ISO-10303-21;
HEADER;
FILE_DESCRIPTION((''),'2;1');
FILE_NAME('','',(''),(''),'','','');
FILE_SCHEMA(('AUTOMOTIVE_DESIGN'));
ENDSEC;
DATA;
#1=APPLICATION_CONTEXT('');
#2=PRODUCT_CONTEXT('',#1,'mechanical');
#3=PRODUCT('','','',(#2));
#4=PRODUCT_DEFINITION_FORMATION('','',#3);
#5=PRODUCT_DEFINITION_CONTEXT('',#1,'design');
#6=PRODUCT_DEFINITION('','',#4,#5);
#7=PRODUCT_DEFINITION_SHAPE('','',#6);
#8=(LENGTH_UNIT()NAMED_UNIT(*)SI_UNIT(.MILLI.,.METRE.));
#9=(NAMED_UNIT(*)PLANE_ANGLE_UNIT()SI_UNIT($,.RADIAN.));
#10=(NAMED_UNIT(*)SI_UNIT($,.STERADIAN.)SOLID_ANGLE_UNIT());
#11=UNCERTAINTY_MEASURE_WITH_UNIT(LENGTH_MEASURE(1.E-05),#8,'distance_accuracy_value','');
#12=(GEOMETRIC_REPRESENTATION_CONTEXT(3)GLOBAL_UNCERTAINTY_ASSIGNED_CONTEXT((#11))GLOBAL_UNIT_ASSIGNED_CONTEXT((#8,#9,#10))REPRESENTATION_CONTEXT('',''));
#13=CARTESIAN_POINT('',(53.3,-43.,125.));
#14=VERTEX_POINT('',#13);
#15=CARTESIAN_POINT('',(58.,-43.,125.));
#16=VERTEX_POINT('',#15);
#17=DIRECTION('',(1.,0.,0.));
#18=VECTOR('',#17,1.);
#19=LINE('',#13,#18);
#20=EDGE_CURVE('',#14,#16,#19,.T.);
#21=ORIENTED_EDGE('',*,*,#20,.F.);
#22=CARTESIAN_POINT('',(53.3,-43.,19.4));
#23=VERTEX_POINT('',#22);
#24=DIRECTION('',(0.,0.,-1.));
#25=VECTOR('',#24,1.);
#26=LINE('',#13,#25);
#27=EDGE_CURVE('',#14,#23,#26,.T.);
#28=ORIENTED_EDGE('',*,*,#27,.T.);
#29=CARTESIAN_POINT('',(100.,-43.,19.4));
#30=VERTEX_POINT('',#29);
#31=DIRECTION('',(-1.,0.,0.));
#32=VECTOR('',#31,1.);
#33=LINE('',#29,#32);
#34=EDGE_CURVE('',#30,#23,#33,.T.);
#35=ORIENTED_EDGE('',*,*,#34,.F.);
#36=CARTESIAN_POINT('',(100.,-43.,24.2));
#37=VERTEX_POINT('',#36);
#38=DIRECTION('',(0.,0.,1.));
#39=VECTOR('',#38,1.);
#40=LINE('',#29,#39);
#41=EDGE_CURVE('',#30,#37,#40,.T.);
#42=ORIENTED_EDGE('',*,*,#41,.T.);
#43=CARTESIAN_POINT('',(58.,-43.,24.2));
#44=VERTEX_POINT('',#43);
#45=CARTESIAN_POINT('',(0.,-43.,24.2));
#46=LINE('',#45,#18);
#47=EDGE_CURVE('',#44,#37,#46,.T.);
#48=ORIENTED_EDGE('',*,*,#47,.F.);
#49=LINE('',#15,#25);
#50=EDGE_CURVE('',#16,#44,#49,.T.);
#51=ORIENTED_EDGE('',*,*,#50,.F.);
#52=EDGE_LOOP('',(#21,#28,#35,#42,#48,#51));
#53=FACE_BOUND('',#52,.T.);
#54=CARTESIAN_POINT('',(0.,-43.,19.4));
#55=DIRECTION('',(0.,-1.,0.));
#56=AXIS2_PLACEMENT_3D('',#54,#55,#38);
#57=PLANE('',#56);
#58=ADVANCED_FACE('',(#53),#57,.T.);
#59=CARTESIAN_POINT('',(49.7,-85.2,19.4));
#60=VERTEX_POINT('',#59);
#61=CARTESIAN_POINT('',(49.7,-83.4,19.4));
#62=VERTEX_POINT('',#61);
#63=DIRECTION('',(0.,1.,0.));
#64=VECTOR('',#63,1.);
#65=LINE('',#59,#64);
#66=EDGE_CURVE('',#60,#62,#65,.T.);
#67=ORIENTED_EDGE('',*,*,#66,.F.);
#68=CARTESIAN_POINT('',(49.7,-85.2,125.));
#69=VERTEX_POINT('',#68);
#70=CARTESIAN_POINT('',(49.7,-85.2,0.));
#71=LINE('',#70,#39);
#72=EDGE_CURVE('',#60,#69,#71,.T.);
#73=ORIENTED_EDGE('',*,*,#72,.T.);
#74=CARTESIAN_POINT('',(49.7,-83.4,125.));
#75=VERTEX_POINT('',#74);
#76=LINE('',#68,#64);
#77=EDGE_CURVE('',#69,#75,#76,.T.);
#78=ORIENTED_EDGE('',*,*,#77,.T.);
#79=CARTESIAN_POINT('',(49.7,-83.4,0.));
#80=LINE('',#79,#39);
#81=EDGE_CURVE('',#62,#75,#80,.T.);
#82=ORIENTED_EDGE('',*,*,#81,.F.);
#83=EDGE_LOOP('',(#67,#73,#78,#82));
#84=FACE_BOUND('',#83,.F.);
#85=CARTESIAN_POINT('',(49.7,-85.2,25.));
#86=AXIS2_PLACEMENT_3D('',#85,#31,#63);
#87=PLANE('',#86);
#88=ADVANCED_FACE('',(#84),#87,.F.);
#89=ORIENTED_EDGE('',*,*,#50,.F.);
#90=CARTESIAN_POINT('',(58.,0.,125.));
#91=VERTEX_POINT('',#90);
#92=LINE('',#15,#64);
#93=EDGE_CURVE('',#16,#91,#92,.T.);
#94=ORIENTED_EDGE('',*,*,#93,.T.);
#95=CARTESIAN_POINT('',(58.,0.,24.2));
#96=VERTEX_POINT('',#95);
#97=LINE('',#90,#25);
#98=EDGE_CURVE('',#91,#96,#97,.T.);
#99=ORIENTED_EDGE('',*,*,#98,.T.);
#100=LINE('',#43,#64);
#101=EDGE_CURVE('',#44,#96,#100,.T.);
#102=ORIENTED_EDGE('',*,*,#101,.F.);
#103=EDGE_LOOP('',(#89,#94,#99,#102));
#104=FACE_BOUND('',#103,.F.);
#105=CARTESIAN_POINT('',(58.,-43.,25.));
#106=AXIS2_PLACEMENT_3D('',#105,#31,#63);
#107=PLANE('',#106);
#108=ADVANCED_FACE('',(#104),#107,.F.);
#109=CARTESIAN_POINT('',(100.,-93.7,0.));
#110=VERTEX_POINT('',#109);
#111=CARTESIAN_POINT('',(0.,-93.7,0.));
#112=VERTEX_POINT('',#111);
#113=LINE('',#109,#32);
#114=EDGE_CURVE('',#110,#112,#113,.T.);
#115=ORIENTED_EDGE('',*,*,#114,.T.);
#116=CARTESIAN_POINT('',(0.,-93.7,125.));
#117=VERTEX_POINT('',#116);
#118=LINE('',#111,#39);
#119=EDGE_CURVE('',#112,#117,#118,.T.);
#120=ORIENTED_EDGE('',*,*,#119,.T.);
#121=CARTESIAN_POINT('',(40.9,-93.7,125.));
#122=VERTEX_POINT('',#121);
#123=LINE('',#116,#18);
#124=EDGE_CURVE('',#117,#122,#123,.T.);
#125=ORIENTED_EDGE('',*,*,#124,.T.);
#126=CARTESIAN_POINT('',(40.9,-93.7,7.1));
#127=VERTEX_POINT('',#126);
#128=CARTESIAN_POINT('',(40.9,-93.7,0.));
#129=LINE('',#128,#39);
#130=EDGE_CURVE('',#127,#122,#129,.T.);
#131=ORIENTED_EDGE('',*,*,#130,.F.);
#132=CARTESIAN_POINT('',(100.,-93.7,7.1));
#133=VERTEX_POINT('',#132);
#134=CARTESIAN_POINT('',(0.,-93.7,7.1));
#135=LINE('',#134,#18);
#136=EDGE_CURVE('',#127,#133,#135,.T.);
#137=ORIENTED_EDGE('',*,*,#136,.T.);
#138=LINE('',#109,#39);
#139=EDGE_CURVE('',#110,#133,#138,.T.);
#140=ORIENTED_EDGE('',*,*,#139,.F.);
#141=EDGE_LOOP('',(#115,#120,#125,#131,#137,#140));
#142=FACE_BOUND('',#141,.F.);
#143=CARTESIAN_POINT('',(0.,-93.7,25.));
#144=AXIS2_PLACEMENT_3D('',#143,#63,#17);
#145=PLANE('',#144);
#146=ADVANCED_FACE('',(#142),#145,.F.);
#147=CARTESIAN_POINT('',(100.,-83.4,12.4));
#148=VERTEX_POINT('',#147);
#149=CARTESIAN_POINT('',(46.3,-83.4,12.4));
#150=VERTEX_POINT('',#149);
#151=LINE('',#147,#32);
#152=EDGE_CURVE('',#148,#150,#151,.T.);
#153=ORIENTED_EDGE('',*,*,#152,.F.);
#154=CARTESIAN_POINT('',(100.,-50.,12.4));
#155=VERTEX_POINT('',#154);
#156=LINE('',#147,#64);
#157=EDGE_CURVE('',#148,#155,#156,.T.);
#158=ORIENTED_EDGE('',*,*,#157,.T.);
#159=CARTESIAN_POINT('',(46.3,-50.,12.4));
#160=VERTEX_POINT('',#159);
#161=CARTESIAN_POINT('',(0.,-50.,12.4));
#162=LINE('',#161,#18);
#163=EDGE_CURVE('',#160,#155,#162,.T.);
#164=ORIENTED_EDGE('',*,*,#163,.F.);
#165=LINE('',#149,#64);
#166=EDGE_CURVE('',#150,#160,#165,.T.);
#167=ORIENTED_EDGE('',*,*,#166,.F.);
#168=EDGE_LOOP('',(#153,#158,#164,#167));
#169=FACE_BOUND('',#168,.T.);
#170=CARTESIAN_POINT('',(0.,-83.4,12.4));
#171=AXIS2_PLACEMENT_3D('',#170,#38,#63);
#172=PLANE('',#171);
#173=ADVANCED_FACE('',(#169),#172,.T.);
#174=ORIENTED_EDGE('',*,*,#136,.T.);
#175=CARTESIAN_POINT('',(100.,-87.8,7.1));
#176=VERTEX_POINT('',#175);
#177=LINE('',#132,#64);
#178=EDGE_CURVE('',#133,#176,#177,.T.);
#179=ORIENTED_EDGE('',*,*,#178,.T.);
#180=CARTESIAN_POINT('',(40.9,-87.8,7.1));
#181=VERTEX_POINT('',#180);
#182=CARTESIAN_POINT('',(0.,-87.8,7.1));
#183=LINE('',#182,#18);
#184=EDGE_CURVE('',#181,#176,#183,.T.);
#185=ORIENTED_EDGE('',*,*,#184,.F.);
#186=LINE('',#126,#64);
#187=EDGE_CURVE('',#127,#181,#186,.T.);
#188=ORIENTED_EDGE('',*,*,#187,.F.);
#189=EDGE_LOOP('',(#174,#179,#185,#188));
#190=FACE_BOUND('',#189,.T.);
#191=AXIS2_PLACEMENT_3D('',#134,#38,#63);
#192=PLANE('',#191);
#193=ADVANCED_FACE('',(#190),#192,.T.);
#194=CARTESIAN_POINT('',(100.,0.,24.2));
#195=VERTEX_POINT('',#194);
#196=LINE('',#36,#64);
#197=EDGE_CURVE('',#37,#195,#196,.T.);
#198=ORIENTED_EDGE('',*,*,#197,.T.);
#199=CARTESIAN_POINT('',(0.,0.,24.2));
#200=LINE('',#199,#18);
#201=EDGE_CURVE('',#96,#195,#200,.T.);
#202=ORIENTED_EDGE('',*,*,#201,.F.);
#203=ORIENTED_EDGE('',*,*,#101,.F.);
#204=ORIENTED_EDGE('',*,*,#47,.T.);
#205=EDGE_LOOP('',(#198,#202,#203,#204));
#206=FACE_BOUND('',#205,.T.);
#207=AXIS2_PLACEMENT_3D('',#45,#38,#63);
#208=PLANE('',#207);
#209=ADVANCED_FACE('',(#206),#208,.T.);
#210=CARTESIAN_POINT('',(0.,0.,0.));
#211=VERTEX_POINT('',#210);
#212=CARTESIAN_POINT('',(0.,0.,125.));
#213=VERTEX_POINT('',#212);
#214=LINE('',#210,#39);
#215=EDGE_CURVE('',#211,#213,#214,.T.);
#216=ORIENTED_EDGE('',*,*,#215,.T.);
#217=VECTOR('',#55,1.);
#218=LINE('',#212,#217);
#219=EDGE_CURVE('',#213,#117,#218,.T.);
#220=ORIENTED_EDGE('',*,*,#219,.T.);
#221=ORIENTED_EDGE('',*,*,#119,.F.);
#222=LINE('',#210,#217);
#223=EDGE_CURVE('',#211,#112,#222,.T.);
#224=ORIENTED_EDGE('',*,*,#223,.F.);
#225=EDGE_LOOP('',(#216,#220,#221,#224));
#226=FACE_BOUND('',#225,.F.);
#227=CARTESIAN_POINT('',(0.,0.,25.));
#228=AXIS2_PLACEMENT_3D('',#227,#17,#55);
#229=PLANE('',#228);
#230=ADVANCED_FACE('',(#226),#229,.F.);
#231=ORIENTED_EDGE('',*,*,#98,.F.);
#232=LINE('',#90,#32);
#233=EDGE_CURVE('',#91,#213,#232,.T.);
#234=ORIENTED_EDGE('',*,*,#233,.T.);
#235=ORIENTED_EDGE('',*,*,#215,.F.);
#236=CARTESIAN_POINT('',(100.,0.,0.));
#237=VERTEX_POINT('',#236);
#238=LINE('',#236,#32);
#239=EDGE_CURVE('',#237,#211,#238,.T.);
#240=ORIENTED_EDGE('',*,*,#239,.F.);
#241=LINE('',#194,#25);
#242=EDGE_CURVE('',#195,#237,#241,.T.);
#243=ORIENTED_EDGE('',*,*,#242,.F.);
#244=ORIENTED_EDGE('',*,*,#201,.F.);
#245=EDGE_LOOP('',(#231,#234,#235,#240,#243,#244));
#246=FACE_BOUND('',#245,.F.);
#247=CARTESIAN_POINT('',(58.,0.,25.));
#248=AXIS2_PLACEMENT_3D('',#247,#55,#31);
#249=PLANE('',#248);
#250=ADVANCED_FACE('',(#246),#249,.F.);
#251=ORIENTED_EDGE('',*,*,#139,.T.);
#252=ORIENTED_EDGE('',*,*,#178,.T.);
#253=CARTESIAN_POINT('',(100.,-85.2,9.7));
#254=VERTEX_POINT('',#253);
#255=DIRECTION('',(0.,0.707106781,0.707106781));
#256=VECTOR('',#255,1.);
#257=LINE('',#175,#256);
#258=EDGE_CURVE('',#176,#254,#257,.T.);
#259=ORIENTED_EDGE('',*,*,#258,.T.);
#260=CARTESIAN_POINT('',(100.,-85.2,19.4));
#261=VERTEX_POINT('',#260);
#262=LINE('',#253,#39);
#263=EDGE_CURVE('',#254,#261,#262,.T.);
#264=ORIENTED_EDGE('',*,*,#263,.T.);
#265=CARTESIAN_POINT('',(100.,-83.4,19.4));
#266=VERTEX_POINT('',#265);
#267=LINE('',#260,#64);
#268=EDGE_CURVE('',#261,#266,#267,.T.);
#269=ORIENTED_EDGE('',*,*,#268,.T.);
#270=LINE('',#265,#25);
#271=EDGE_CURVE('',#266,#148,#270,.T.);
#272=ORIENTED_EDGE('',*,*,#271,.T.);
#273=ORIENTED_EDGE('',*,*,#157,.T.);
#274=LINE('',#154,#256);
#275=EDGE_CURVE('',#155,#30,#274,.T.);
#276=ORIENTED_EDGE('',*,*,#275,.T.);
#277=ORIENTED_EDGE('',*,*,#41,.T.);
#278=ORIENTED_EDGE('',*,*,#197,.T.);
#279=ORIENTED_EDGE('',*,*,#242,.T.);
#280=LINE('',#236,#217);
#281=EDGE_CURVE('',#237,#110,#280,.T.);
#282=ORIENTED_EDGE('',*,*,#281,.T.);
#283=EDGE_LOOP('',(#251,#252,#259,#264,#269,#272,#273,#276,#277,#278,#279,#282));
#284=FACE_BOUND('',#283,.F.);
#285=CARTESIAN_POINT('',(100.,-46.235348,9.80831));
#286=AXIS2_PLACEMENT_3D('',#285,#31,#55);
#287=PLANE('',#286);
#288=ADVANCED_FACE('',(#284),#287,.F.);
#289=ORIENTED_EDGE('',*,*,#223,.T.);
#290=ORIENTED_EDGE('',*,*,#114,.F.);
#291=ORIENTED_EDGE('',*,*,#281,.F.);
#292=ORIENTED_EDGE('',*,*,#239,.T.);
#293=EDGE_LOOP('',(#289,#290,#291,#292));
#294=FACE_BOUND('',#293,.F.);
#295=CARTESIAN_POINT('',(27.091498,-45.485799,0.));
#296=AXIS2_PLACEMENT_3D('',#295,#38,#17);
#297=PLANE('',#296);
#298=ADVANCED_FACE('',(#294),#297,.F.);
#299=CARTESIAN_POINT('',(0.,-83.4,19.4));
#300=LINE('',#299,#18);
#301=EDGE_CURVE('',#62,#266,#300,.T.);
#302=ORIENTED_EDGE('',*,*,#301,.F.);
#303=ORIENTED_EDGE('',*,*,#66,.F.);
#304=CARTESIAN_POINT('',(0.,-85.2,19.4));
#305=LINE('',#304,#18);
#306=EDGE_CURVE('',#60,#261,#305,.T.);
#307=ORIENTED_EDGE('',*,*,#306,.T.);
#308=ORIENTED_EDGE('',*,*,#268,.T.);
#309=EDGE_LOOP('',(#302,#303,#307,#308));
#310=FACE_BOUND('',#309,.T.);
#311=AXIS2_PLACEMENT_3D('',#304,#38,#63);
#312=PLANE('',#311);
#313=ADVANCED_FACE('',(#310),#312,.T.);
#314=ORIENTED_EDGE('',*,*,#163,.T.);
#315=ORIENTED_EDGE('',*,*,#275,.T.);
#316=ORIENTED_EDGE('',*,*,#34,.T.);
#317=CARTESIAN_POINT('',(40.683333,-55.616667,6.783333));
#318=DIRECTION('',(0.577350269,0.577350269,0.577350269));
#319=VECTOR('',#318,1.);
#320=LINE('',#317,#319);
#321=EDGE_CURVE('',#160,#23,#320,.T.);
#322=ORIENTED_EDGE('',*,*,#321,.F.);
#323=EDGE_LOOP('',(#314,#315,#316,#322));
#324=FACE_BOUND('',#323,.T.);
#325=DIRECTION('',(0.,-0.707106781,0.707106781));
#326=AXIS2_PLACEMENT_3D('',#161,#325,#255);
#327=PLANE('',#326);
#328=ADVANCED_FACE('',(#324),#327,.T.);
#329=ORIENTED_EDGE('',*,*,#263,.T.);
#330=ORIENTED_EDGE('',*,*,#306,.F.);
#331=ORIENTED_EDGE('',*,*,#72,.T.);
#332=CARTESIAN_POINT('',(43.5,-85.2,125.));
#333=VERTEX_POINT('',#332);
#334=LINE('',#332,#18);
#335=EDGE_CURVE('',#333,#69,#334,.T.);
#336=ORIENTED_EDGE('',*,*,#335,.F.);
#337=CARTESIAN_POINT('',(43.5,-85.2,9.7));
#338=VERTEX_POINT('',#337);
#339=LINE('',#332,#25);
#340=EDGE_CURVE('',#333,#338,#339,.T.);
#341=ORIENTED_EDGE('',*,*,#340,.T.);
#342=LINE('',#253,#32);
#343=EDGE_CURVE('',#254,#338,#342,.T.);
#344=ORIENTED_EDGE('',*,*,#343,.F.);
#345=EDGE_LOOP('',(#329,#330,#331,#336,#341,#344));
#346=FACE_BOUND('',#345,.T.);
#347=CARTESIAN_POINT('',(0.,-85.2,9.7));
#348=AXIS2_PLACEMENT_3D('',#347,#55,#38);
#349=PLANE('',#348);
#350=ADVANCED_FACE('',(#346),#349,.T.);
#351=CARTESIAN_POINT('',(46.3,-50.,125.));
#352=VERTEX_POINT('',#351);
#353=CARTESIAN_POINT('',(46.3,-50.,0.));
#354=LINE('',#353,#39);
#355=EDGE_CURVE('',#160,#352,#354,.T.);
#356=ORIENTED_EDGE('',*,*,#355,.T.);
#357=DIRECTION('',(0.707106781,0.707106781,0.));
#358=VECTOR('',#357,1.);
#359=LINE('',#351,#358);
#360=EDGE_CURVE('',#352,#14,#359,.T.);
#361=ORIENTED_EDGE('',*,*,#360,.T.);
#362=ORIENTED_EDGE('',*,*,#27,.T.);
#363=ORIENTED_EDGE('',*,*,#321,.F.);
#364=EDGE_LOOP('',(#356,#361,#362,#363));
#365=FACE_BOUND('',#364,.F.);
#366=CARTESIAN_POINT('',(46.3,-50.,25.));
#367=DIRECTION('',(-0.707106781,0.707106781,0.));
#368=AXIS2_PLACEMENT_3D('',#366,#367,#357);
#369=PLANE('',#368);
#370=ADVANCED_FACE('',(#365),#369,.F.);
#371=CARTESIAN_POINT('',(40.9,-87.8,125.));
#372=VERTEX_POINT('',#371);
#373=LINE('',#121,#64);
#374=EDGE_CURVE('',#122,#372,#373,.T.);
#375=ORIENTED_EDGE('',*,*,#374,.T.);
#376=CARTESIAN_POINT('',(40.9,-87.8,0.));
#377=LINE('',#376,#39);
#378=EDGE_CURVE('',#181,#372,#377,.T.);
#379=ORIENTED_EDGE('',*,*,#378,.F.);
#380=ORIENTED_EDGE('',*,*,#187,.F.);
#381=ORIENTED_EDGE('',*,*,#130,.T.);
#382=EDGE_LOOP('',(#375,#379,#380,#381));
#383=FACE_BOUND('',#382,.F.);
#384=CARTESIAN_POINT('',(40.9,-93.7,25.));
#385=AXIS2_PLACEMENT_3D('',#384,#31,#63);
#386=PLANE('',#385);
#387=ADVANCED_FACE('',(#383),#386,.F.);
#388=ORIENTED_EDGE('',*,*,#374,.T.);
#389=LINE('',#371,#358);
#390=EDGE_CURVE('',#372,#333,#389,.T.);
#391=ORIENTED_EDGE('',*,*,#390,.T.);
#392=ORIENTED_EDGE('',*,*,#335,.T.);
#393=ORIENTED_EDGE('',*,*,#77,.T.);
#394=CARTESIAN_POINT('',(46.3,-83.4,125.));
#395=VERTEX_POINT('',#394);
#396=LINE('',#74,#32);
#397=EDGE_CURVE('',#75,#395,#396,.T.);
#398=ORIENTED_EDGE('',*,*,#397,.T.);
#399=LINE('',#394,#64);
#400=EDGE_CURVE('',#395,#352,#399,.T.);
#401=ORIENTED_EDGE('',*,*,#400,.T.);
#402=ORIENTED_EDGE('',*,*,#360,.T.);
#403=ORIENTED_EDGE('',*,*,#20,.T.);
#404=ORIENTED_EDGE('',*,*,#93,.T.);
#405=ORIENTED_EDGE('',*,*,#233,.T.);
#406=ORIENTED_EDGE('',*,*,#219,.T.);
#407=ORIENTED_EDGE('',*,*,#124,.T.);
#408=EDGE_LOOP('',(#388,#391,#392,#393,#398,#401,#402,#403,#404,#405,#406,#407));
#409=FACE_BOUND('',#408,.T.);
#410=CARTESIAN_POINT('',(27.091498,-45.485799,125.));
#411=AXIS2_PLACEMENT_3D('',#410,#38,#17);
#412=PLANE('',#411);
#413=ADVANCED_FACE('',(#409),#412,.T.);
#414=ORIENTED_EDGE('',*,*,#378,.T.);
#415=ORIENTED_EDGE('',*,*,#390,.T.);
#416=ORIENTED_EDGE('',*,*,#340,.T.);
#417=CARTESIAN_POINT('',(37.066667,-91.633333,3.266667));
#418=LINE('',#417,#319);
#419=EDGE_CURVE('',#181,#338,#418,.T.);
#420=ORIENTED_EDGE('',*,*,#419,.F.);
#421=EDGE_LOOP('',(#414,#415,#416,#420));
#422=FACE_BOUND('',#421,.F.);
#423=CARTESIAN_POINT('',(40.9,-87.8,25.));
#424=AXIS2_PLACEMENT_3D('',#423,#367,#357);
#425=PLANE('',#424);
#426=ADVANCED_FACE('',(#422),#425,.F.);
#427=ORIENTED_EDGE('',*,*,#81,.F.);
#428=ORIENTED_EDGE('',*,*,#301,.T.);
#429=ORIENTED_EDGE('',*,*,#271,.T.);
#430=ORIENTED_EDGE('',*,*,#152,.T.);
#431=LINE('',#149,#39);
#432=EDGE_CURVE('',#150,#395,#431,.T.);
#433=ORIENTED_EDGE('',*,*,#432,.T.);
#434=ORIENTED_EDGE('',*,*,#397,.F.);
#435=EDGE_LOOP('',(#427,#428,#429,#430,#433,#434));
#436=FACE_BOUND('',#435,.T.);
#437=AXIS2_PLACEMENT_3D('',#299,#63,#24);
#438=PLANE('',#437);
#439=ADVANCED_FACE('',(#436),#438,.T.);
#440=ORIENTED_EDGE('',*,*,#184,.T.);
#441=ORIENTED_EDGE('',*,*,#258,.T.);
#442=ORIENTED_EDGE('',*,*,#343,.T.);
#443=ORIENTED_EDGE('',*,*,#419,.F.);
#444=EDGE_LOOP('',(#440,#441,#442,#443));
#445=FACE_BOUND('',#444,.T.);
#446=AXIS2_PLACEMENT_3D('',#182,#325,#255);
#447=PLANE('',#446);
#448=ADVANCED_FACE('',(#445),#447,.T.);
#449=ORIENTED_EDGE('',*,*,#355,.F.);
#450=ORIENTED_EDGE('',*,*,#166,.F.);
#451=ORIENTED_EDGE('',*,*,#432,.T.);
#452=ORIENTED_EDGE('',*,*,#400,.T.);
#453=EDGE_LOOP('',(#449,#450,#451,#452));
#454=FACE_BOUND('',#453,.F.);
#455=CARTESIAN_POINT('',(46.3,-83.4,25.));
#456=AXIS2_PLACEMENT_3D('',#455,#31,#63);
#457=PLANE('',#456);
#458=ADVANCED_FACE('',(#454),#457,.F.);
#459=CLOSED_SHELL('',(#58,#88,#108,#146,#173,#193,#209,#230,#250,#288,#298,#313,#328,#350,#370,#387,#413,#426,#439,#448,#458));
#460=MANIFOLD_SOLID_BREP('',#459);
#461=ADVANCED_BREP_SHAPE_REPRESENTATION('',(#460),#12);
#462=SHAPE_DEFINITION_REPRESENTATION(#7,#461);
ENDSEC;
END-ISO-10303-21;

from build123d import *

# Parameters (mm, degrees)
F1_DEPTH = 25
F3_DEPTH = 100
F4_DEPTH = 100


with BuildPart() as f1:
    # F0 (on Top) → F1 (new body)
    with BuildSketch(Plane.XY):
        Polygon((58, 0), (0, 0), (0, -93.7), (40.9, -93.7), (40.9, -87.8), (43.5, -85.2), (49.7, -85.2), (49.7, -83.4), (46.3, -83.4), (46.3, -50), (53.3, -43), (58, -43), align=None)
    extrude(amount=F1_DEPTH)

    # F3 (add): a face of the model
    f3_faces = [f1.faces().sort_by_distance(p)[0] for p in [
        (26.1504271655, -43.8715742384, 25),
    ]]
    extrude(f3_faces, amount=F3_DEPTH)

    # F2 (on face) → F4 (join)
    with BuildSketch(Plane(origin=(0, 0, 0), x_dir=(0, -1, 0), z_dir=(-1, 0, 0))):
        Polygon((0, 24.2), (0, 0), (93.7, 0), (93.7, 7.1), (87.8, 7.1), (85.2, 9.7), (85.2, 19.4), (83.4, 19.4), (83.4, 12.4), (50, 12.4), (43, 19.4), (43, 24.2), align=None)
    extrude(amount=-F4_DEPTH)


solid = f1.part
